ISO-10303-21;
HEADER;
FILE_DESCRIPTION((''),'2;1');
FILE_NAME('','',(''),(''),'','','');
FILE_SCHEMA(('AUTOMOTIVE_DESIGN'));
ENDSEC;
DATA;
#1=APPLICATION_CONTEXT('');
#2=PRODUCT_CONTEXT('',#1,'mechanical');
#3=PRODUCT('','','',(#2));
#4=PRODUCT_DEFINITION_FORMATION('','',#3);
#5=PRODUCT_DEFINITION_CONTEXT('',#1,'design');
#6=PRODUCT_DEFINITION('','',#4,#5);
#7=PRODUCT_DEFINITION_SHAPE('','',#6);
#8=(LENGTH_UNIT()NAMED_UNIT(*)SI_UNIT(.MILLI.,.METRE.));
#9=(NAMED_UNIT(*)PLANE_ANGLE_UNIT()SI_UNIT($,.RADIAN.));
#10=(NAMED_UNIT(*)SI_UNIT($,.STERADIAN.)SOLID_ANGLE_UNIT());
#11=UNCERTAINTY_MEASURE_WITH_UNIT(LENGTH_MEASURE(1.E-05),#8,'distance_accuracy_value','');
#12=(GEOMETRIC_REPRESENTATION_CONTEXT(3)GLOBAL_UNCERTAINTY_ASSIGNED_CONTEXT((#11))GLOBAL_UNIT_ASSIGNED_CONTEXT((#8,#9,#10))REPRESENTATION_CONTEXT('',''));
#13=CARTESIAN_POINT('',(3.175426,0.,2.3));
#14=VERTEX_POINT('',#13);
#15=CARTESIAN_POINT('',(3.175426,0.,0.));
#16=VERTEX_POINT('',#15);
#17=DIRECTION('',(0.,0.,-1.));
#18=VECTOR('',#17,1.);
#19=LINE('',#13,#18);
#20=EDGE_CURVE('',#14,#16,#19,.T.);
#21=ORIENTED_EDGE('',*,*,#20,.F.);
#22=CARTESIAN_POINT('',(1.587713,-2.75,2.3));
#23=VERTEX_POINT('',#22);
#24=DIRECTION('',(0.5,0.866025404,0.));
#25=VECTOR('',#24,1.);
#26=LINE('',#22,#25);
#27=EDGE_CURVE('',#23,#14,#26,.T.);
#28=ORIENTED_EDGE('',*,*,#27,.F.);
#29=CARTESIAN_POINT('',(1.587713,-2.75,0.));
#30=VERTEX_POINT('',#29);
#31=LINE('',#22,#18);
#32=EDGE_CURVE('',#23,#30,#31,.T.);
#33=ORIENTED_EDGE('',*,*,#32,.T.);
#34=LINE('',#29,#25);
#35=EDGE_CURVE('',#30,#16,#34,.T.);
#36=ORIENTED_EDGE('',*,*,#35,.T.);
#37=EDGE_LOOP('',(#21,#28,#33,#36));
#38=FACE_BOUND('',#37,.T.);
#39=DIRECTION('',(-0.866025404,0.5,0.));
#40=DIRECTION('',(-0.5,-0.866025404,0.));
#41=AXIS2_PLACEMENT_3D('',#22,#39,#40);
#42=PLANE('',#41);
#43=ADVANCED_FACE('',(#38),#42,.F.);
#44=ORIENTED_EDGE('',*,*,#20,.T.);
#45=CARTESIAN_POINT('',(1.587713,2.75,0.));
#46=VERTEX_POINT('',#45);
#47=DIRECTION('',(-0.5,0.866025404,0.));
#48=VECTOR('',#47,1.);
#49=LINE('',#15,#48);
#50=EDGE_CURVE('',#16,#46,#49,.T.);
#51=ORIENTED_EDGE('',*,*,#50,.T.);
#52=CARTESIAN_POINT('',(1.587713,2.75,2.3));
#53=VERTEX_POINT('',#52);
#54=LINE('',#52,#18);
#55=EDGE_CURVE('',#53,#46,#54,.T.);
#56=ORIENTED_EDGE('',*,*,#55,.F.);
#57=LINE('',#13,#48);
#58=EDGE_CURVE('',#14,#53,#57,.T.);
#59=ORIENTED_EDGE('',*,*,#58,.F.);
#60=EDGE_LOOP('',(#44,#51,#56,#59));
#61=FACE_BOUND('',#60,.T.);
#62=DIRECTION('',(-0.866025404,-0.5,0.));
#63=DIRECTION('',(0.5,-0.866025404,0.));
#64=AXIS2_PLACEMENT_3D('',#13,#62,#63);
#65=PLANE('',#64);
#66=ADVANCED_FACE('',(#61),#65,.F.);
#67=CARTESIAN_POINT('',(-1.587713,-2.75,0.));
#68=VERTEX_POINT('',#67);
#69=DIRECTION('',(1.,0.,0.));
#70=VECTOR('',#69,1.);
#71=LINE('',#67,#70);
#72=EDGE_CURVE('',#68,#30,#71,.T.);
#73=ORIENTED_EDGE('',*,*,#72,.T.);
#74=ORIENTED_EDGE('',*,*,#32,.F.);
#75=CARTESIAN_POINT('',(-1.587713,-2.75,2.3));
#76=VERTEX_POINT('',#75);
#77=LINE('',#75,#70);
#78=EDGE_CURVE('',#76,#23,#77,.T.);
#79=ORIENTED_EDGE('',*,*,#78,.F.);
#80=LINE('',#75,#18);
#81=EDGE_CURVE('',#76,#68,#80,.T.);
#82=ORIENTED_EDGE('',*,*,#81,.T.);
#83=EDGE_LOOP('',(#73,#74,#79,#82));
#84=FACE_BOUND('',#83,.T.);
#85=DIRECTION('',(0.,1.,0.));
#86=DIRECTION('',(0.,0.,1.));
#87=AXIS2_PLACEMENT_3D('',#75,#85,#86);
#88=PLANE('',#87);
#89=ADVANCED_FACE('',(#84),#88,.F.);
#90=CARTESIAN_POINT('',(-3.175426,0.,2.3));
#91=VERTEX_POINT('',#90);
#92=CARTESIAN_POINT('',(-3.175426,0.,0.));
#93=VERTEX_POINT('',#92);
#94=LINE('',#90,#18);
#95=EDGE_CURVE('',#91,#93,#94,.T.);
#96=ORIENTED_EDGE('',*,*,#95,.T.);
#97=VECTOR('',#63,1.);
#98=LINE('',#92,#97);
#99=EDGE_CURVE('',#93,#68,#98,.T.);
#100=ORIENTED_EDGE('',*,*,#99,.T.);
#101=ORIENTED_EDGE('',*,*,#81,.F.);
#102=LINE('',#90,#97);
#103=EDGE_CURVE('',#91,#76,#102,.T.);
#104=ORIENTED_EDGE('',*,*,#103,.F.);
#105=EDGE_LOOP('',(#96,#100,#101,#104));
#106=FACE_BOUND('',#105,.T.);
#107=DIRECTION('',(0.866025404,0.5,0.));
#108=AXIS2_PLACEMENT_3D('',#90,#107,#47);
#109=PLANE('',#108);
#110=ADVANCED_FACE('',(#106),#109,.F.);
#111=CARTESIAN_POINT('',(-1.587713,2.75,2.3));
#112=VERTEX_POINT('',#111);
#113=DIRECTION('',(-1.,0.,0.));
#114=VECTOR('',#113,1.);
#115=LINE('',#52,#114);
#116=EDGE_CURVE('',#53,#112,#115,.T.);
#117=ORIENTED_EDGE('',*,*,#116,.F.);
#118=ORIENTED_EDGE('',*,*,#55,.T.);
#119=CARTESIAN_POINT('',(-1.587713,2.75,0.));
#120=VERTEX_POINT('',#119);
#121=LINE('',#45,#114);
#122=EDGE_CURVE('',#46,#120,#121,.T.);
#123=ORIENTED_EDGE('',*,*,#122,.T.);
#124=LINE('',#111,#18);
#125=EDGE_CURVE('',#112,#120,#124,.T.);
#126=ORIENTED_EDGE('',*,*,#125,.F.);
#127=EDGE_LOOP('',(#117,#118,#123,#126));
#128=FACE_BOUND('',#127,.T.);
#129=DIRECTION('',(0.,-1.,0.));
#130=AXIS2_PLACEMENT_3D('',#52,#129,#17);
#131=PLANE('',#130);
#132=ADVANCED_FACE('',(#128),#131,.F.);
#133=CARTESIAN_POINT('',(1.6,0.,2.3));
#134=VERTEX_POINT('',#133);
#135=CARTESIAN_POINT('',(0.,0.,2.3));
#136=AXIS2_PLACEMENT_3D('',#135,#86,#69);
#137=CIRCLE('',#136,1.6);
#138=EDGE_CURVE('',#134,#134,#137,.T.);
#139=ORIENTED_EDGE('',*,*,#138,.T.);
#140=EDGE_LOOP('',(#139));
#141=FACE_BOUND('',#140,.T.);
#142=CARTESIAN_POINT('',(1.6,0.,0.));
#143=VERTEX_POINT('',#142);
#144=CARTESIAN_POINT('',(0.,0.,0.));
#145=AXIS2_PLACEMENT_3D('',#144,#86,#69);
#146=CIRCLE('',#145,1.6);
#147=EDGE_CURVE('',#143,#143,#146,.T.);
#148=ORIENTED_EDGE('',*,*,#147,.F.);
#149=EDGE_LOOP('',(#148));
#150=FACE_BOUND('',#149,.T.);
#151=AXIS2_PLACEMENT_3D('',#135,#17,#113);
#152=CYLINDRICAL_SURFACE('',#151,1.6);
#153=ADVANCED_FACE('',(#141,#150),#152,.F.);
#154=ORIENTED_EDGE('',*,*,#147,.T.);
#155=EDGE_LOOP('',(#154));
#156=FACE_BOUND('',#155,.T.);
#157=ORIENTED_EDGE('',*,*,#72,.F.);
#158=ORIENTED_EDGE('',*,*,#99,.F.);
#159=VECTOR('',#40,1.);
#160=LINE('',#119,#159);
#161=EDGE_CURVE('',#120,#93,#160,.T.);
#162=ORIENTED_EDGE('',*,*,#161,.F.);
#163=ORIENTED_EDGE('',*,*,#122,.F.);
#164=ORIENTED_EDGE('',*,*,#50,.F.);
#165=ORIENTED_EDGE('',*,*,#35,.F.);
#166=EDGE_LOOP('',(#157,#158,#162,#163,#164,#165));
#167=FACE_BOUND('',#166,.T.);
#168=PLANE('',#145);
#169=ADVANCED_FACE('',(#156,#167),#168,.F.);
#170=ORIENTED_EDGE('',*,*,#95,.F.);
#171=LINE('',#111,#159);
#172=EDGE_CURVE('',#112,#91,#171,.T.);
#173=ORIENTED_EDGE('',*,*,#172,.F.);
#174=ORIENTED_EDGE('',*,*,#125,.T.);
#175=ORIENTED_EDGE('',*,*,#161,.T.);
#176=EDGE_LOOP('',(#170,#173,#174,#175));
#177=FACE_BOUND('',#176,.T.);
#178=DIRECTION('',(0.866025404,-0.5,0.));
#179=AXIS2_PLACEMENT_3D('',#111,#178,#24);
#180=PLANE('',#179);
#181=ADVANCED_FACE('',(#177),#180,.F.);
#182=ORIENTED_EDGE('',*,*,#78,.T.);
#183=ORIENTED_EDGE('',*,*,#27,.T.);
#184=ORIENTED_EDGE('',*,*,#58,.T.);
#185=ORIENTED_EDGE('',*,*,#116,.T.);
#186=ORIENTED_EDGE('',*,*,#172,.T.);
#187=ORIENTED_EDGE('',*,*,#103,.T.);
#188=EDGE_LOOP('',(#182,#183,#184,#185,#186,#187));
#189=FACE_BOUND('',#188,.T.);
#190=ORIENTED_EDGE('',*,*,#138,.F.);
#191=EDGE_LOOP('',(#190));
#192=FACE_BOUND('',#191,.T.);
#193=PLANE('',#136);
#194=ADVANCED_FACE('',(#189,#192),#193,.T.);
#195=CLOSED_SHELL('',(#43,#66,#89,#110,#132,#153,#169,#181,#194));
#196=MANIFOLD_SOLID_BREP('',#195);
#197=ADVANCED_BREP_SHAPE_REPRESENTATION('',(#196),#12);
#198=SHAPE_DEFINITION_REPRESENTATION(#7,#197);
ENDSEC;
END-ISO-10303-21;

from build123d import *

# Parameters (mm, degrees)
ESBO_O1_R                = 1.6
RESSALTO_EXTRUS_O1_DEPTH = 2.3


with BuildPart() as part:
    # Esboço1 → Ressalto-extrusão1 (new body)
    with BuildSketch(Plane.XY):
        Polygon((1.58771324, 2.75), (-1.58771324, 2.75), (-3.175426481, 0), (-1.58771324, -2.75), (1.58771324, -2.75), (3.175426481, 0), align=None)
        Circle(ESBO_O1_R, mode=Mode.SUBTRACT)
    extrude(amount=RESSALTO_EXTRUS_O1_DEPTH)


solid = part.part
